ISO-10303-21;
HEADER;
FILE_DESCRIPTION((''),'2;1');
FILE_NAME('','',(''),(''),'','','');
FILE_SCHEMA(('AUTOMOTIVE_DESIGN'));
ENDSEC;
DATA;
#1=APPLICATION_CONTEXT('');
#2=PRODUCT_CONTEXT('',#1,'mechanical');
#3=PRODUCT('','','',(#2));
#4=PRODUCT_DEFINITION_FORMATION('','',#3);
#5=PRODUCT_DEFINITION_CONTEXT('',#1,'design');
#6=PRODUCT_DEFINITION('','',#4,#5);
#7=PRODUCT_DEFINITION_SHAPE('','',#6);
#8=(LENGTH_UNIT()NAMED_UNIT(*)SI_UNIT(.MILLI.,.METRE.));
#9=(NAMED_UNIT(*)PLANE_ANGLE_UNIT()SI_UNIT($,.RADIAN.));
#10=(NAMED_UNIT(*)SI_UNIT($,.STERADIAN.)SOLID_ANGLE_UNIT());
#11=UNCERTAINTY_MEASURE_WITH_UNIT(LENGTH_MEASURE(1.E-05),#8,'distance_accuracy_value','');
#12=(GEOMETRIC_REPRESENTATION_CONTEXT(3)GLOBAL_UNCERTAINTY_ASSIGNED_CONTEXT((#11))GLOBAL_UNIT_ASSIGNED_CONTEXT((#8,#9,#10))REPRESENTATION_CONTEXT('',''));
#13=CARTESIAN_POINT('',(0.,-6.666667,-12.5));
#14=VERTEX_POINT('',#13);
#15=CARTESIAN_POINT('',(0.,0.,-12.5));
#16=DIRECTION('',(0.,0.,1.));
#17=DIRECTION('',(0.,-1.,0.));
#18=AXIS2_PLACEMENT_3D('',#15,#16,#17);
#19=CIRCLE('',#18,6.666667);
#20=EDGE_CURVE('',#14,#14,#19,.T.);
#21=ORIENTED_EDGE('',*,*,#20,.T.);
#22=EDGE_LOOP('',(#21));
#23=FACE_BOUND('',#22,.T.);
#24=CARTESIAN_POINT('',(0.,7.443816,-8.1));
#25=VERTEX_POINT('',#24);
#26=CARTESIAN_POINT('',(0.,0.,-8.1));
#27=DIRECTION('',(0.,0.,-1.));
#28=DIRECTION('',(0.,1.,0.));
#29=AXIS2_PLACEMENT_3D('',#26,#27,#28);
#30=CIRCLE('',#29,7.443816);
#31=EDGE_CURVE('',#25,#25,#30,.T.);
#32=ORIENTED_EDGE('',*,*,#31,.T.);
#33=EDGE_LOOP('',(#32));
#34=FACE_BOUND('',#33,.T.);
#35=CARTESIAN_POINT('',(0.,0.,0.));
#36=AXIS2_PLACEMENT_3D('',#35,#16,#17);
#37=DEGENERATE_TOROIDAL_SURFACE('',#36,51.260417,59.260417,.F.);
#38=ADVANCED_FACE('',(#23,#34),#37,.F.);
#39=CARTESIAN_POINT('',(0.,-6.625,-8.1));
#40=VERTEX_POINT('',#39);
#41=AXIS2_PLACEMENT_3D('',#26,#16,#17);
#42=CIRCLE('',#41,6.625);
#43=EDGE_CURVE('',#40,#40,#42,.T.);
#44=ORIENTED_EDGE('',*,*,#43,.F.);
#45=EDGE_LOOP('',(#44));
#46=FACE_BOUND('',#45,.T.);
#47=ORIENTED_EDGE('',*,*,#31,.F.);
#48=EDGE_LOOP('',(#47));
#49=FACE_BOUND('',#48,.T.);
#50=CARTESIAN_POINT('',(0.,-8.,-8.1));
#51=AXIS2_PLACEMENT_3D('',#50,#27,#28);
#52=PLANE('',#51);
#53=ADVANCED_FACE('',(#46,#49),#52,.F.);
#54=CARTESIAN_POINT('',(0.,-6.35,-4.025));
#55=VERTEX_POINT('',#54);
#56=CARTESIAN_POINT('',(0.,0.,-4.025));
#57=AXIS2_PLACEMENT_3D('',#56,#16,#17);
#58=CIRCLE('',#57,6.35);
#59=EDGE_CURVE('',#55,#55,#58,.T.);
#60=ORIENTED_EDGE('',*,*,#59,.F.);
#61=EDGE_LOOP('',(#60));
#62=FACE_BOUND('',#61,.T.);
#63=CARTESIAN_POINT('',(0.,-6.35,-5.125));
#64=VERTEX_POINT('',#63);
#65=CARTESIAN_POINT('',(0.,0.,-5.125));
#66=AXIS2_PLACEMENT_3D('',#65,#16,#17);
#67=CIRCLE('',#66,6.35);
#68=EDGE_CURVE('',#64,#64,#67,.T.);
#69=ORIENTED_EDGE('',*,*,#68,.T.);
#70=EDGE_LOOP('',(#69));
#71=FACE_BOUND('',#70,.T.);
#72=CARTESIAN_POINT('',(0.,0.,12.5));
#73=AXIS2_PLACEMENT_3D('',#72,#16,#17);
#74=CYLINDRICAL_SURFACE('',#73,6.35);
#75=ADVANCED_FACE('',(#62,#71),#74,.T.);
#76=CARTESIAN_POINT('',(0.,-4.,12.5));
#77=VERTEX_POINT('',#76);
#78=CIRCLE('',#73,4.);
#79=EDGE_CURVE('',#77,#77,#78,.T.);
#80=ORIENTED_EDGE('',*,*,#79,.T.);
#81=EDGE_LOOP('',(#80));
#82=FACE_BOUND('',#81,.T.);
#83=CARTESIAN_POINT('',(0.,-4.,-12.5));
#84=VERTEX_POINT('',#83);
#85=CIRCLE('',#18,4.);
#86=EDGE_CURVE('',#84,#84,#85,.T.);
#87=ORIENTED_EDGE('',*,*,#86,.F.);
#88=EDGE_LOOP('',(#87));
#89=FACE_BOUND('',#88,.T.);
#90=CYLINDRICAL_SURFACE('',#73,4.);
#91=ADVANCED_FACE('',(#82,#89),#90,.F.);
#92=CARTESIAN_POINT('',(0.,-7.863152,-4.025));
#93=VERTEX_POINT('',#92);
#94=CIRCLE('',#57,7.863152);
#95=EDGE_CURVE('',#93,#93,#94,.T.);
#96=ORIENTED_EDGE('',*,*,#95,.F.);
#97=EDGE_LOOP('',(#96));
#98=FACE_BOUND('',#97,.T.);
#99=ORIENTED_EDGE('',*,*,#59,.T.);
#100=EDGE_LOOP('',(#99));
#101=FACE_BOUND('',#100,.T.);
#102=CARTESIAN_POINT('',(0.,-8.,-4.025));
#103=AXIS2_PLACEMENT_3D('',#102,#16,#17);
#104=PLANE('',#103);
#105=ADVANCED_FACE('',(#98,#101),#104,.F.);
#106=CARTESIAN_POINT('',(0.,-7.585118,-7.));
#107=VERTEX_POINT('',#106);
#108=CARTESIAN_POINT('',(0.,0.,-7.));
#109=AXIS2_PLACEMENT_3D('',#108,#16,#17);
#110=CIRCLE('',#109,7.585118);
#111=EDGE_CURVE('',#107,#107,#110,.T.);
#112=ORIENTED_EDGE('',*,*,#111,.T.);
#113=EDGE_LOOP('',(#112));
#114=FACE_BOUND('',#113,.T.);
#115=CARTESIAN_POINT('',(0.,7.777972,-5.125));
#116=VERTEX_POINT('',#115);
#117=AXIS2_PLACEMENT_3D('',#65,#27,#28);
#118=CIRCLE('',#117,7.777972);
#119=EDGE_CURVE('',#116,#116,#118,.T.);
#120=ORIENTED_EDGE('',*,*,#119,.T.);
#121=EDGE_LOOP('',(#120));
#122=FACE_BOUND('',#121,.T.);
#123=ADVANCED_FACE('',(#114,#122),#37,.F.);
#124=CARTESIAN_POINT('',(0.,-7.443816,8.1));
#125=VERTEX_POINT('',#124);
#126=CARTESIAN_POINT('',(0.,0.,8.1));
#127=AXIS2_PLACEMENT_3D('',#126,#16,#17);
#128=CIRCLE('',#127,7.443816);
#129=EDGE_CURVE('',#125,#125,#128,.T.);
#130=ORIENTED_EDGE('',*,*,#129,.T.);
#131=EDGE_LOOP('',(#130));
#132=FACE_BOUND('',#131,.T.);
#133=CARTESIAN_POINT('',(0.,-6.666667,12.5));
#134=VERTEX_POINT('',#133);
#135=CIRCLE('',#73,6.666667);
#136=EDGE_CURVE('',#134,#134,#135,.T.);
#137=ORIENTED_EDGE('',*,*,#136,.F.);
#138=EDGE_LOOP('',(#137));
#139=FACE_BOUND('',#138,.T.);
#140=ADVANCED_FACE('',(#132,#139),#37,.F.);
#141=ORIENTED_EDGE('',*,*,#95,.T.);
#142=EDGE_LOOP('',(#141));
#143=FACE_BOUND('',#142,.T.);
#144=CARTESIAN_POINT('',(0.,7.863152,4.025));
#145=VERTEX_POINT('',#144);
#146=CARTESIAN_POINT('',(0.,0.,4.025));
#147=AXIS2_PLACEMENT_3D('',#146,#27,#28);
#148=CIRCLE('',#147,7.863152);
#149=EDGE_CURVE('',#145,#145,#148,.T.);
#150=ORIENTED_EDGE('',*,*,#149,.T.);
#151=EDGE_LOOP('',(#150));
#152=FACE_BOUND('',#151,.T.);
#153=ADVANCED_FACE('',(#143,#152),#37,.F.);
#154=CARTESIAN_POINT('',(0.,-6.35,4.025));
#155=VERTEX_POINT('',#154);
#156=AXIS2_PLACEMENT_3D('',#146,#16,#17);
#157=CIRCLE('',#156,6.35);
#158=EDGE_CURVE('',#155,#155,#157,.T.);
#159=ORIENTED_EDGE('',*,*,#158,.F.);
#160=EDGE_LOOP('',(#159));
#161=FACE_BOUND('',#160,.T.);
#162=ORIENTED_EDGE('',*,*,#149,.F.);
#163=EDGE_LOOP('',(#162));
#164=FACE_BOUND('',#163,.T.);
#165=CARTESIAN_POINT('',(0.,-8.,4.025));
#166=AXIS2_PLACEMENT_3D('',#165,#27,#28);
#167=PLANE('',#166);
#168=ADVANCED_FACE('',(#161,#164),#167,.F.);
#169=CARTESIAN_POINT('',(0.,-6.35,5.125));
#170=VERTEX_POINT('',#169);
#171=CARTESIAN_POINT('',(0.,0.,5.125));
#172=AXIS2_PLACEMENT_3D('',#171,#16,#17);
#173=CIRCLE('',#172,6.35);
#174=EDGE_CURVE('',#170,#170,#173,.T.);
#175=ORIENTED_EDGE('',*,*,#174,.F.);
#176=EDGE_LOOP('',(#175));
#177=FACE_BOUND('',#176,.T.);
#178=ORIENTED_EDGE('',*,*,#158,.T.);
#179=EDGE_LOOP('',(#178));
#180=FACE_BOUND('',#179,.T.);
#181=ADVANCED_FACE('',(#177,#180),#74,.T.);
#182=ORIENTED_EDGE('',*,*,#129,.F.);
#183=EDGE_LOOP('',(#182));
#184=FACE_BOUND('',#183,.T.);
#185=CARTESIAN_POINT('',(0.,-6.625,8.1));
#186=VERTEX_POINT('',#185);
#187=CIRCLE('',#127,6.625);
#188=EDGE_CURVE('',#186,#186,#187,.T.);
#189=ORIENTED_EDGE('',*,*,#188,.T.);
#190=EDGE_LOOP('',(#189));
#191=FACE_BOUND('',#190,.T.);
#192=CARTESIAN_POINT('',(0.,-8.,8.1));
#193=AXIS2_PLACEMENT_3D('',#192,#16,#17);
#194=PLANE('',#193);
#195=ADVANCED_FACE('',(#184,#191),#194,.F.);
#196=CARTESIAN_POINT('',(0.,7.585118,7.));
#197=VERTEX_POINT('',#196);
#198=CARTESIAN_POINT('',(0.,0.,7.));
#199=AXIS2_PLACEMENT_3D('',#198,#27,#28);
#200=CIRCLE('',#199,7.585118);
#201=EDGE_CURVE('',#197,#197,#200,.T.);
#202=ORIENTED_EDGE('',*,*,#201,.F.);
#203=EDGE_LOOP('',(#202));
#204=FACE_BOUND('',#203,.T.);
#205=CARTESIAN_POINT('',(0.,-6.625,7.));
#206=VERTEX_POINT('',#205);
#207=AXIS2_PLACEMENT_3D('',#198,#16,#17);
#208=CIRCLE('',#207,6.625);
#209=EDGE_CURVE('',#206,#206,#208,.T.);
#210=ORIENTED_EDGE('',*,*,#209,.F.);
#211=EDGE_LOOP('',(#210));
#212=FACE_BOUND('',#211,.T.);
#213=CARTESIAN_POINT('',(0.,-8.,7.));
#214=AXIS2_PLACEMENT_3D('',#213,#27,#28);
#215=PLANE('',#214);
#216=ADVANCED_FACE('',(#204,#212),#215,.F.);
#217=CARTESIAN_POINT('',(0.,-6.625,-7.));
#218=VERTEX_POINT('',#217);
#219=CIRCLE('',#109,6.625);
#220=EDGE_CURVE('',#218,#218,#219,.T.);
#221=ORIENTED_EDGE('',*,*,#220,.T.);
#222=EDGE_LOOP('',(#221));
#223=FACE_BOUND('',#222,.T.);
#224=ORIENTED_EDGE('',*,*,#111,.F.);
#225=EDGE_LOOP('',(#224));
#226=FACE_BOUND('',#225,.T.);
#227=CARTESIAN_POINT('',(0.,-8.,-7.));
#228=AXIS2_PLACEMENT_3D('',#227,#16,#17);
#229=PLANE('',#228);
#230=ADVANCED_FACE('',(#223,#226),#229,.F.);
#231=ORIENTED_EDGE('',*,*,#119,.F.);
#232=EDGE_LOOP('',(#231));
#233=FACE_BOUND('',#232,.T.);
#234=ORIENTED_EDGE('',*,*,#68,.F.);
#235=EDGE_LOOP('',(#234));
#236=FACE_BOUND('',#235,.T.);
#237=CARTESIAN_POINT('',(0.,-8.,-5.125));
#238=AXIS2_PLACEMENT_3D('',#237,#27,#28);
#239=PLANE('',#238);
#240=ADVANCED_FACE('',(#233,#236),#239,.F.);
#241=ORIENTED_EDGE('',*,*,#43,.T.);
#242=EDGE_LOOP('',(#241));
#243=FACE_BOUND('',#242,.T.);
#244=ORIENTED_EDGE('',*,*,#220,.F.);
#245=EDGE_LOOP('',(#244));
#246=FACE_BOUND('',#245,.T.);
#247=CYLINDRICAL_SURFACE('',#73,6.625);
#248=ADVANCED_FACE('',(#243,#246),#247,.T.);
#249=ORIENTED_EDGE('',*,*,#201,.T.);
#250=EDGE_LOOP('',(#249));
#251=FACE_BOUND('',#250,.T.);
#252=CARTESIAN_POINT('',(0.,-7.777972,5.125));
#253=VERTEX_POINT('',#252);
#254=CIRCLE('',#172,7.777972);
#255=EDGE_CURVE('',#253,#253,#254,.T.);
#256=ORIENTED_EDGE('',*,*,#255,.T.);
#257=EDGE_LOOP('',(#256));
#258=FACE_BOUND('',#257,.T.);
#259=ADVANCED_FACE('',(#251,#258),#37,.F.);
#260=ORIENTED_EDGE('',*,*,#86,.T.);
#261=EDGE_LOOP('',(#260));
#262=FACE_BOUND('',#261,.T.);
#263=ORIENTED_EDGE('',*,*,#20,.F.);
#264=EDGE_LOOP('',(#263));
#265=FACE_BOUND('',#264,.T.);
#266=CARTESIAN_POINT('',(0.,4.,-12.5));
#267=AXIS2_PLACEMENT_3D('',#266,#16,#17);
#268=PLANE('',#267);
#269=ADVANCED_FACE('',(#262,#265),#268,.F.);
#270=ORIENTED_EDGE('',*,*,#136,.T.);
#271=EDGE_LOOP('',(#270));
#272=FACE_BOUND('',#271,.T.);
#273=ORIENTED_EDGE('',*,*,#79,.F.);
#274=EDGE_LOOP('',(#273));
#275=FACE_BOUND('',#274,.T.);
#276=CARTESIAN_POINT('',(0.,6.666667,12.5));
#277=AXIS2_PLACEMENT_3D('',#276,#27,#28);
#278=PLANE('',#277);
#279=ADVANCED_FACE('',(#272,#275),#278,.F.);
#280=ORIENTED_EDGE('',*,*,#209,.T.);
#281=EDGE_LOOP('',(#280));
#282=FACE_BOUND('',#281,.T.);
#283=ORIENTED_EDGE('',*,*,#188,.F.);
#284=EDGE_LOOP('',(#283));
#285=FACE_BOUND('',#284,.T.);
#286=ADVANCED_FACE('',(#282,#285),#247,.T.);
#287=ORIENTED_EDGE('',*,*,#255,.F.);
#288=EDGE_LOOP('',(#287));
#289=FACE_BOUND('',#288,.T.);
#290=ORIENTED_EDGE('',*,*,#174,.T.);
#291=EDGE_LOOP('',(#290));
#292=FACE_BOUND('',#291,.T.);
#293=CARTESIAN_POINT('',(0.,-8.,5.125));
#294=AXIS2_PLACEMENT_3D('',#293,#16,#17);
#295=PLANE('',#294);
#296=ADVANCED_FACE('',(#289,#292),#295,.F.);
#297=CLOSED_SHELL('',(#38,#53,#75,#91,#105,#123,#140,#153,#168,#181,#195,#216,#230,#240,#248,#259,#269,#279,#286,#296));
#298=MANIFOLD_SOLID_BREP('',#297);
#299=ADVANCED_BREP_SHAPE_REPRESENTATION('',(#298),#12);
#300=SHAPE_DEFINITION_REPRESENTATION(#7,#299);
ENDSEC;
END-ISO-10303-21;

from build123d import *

# Parameters (mm, degrees)
SKETCH4_W   = 1.1
SKETCH4_H   = 1.375
SKETCH4_H_2 = 1.65


with BuildPart() as part:
    # Sketch5 → Revolve1 (revolve)
    with BuildSketch(Plane(origin=(0, 0, 0), x_dir=(0, 0, -1), z_dir=(1, 0, 0))):
        with BuildLine():
            Line((-12.5, 4), (12.5, 4))
            Line((12.5, 4), (12.5, 6.666666667))
            ThreePointArc((12.5, 6.666666667), (0, 8), (-12.5, 6.666666667))
            Line((-12.5, 6.666666667), (-12.5, 4))
        make_face()
    revolve(axis=Axis((0, 0, 12.5), (0, 0, -1)))

    # Sketch4 → Cut-Revolve1 (revolve, cut)
    with BuildSketch(Plane(origin=(0, 0, 0), x_dir=(0, 0, -1), z_dir=(1, 0, 0))):
        with Locations((-7.55, -7.3125)):
            Rectangle(SKETCH4_W, SKETCH4_H)
        with Locations((7.55, -7.3125)):
            Rectangle(SKETCH4_W, SKETCH4_H)
        with Locations((-4.575, -7.175)):
            Rectangle(SKETCH4_W, SKETCH4_H_2)
        with Locations((4.575, -7.175)):
            Rectangle(SKETCH4_W, SKETCH4_H_2)
    revolve(axis=Axis((0, 0, 12.5), (0, 0, -1)), mode=Mode.SUBTRACT)


solid = part.part
